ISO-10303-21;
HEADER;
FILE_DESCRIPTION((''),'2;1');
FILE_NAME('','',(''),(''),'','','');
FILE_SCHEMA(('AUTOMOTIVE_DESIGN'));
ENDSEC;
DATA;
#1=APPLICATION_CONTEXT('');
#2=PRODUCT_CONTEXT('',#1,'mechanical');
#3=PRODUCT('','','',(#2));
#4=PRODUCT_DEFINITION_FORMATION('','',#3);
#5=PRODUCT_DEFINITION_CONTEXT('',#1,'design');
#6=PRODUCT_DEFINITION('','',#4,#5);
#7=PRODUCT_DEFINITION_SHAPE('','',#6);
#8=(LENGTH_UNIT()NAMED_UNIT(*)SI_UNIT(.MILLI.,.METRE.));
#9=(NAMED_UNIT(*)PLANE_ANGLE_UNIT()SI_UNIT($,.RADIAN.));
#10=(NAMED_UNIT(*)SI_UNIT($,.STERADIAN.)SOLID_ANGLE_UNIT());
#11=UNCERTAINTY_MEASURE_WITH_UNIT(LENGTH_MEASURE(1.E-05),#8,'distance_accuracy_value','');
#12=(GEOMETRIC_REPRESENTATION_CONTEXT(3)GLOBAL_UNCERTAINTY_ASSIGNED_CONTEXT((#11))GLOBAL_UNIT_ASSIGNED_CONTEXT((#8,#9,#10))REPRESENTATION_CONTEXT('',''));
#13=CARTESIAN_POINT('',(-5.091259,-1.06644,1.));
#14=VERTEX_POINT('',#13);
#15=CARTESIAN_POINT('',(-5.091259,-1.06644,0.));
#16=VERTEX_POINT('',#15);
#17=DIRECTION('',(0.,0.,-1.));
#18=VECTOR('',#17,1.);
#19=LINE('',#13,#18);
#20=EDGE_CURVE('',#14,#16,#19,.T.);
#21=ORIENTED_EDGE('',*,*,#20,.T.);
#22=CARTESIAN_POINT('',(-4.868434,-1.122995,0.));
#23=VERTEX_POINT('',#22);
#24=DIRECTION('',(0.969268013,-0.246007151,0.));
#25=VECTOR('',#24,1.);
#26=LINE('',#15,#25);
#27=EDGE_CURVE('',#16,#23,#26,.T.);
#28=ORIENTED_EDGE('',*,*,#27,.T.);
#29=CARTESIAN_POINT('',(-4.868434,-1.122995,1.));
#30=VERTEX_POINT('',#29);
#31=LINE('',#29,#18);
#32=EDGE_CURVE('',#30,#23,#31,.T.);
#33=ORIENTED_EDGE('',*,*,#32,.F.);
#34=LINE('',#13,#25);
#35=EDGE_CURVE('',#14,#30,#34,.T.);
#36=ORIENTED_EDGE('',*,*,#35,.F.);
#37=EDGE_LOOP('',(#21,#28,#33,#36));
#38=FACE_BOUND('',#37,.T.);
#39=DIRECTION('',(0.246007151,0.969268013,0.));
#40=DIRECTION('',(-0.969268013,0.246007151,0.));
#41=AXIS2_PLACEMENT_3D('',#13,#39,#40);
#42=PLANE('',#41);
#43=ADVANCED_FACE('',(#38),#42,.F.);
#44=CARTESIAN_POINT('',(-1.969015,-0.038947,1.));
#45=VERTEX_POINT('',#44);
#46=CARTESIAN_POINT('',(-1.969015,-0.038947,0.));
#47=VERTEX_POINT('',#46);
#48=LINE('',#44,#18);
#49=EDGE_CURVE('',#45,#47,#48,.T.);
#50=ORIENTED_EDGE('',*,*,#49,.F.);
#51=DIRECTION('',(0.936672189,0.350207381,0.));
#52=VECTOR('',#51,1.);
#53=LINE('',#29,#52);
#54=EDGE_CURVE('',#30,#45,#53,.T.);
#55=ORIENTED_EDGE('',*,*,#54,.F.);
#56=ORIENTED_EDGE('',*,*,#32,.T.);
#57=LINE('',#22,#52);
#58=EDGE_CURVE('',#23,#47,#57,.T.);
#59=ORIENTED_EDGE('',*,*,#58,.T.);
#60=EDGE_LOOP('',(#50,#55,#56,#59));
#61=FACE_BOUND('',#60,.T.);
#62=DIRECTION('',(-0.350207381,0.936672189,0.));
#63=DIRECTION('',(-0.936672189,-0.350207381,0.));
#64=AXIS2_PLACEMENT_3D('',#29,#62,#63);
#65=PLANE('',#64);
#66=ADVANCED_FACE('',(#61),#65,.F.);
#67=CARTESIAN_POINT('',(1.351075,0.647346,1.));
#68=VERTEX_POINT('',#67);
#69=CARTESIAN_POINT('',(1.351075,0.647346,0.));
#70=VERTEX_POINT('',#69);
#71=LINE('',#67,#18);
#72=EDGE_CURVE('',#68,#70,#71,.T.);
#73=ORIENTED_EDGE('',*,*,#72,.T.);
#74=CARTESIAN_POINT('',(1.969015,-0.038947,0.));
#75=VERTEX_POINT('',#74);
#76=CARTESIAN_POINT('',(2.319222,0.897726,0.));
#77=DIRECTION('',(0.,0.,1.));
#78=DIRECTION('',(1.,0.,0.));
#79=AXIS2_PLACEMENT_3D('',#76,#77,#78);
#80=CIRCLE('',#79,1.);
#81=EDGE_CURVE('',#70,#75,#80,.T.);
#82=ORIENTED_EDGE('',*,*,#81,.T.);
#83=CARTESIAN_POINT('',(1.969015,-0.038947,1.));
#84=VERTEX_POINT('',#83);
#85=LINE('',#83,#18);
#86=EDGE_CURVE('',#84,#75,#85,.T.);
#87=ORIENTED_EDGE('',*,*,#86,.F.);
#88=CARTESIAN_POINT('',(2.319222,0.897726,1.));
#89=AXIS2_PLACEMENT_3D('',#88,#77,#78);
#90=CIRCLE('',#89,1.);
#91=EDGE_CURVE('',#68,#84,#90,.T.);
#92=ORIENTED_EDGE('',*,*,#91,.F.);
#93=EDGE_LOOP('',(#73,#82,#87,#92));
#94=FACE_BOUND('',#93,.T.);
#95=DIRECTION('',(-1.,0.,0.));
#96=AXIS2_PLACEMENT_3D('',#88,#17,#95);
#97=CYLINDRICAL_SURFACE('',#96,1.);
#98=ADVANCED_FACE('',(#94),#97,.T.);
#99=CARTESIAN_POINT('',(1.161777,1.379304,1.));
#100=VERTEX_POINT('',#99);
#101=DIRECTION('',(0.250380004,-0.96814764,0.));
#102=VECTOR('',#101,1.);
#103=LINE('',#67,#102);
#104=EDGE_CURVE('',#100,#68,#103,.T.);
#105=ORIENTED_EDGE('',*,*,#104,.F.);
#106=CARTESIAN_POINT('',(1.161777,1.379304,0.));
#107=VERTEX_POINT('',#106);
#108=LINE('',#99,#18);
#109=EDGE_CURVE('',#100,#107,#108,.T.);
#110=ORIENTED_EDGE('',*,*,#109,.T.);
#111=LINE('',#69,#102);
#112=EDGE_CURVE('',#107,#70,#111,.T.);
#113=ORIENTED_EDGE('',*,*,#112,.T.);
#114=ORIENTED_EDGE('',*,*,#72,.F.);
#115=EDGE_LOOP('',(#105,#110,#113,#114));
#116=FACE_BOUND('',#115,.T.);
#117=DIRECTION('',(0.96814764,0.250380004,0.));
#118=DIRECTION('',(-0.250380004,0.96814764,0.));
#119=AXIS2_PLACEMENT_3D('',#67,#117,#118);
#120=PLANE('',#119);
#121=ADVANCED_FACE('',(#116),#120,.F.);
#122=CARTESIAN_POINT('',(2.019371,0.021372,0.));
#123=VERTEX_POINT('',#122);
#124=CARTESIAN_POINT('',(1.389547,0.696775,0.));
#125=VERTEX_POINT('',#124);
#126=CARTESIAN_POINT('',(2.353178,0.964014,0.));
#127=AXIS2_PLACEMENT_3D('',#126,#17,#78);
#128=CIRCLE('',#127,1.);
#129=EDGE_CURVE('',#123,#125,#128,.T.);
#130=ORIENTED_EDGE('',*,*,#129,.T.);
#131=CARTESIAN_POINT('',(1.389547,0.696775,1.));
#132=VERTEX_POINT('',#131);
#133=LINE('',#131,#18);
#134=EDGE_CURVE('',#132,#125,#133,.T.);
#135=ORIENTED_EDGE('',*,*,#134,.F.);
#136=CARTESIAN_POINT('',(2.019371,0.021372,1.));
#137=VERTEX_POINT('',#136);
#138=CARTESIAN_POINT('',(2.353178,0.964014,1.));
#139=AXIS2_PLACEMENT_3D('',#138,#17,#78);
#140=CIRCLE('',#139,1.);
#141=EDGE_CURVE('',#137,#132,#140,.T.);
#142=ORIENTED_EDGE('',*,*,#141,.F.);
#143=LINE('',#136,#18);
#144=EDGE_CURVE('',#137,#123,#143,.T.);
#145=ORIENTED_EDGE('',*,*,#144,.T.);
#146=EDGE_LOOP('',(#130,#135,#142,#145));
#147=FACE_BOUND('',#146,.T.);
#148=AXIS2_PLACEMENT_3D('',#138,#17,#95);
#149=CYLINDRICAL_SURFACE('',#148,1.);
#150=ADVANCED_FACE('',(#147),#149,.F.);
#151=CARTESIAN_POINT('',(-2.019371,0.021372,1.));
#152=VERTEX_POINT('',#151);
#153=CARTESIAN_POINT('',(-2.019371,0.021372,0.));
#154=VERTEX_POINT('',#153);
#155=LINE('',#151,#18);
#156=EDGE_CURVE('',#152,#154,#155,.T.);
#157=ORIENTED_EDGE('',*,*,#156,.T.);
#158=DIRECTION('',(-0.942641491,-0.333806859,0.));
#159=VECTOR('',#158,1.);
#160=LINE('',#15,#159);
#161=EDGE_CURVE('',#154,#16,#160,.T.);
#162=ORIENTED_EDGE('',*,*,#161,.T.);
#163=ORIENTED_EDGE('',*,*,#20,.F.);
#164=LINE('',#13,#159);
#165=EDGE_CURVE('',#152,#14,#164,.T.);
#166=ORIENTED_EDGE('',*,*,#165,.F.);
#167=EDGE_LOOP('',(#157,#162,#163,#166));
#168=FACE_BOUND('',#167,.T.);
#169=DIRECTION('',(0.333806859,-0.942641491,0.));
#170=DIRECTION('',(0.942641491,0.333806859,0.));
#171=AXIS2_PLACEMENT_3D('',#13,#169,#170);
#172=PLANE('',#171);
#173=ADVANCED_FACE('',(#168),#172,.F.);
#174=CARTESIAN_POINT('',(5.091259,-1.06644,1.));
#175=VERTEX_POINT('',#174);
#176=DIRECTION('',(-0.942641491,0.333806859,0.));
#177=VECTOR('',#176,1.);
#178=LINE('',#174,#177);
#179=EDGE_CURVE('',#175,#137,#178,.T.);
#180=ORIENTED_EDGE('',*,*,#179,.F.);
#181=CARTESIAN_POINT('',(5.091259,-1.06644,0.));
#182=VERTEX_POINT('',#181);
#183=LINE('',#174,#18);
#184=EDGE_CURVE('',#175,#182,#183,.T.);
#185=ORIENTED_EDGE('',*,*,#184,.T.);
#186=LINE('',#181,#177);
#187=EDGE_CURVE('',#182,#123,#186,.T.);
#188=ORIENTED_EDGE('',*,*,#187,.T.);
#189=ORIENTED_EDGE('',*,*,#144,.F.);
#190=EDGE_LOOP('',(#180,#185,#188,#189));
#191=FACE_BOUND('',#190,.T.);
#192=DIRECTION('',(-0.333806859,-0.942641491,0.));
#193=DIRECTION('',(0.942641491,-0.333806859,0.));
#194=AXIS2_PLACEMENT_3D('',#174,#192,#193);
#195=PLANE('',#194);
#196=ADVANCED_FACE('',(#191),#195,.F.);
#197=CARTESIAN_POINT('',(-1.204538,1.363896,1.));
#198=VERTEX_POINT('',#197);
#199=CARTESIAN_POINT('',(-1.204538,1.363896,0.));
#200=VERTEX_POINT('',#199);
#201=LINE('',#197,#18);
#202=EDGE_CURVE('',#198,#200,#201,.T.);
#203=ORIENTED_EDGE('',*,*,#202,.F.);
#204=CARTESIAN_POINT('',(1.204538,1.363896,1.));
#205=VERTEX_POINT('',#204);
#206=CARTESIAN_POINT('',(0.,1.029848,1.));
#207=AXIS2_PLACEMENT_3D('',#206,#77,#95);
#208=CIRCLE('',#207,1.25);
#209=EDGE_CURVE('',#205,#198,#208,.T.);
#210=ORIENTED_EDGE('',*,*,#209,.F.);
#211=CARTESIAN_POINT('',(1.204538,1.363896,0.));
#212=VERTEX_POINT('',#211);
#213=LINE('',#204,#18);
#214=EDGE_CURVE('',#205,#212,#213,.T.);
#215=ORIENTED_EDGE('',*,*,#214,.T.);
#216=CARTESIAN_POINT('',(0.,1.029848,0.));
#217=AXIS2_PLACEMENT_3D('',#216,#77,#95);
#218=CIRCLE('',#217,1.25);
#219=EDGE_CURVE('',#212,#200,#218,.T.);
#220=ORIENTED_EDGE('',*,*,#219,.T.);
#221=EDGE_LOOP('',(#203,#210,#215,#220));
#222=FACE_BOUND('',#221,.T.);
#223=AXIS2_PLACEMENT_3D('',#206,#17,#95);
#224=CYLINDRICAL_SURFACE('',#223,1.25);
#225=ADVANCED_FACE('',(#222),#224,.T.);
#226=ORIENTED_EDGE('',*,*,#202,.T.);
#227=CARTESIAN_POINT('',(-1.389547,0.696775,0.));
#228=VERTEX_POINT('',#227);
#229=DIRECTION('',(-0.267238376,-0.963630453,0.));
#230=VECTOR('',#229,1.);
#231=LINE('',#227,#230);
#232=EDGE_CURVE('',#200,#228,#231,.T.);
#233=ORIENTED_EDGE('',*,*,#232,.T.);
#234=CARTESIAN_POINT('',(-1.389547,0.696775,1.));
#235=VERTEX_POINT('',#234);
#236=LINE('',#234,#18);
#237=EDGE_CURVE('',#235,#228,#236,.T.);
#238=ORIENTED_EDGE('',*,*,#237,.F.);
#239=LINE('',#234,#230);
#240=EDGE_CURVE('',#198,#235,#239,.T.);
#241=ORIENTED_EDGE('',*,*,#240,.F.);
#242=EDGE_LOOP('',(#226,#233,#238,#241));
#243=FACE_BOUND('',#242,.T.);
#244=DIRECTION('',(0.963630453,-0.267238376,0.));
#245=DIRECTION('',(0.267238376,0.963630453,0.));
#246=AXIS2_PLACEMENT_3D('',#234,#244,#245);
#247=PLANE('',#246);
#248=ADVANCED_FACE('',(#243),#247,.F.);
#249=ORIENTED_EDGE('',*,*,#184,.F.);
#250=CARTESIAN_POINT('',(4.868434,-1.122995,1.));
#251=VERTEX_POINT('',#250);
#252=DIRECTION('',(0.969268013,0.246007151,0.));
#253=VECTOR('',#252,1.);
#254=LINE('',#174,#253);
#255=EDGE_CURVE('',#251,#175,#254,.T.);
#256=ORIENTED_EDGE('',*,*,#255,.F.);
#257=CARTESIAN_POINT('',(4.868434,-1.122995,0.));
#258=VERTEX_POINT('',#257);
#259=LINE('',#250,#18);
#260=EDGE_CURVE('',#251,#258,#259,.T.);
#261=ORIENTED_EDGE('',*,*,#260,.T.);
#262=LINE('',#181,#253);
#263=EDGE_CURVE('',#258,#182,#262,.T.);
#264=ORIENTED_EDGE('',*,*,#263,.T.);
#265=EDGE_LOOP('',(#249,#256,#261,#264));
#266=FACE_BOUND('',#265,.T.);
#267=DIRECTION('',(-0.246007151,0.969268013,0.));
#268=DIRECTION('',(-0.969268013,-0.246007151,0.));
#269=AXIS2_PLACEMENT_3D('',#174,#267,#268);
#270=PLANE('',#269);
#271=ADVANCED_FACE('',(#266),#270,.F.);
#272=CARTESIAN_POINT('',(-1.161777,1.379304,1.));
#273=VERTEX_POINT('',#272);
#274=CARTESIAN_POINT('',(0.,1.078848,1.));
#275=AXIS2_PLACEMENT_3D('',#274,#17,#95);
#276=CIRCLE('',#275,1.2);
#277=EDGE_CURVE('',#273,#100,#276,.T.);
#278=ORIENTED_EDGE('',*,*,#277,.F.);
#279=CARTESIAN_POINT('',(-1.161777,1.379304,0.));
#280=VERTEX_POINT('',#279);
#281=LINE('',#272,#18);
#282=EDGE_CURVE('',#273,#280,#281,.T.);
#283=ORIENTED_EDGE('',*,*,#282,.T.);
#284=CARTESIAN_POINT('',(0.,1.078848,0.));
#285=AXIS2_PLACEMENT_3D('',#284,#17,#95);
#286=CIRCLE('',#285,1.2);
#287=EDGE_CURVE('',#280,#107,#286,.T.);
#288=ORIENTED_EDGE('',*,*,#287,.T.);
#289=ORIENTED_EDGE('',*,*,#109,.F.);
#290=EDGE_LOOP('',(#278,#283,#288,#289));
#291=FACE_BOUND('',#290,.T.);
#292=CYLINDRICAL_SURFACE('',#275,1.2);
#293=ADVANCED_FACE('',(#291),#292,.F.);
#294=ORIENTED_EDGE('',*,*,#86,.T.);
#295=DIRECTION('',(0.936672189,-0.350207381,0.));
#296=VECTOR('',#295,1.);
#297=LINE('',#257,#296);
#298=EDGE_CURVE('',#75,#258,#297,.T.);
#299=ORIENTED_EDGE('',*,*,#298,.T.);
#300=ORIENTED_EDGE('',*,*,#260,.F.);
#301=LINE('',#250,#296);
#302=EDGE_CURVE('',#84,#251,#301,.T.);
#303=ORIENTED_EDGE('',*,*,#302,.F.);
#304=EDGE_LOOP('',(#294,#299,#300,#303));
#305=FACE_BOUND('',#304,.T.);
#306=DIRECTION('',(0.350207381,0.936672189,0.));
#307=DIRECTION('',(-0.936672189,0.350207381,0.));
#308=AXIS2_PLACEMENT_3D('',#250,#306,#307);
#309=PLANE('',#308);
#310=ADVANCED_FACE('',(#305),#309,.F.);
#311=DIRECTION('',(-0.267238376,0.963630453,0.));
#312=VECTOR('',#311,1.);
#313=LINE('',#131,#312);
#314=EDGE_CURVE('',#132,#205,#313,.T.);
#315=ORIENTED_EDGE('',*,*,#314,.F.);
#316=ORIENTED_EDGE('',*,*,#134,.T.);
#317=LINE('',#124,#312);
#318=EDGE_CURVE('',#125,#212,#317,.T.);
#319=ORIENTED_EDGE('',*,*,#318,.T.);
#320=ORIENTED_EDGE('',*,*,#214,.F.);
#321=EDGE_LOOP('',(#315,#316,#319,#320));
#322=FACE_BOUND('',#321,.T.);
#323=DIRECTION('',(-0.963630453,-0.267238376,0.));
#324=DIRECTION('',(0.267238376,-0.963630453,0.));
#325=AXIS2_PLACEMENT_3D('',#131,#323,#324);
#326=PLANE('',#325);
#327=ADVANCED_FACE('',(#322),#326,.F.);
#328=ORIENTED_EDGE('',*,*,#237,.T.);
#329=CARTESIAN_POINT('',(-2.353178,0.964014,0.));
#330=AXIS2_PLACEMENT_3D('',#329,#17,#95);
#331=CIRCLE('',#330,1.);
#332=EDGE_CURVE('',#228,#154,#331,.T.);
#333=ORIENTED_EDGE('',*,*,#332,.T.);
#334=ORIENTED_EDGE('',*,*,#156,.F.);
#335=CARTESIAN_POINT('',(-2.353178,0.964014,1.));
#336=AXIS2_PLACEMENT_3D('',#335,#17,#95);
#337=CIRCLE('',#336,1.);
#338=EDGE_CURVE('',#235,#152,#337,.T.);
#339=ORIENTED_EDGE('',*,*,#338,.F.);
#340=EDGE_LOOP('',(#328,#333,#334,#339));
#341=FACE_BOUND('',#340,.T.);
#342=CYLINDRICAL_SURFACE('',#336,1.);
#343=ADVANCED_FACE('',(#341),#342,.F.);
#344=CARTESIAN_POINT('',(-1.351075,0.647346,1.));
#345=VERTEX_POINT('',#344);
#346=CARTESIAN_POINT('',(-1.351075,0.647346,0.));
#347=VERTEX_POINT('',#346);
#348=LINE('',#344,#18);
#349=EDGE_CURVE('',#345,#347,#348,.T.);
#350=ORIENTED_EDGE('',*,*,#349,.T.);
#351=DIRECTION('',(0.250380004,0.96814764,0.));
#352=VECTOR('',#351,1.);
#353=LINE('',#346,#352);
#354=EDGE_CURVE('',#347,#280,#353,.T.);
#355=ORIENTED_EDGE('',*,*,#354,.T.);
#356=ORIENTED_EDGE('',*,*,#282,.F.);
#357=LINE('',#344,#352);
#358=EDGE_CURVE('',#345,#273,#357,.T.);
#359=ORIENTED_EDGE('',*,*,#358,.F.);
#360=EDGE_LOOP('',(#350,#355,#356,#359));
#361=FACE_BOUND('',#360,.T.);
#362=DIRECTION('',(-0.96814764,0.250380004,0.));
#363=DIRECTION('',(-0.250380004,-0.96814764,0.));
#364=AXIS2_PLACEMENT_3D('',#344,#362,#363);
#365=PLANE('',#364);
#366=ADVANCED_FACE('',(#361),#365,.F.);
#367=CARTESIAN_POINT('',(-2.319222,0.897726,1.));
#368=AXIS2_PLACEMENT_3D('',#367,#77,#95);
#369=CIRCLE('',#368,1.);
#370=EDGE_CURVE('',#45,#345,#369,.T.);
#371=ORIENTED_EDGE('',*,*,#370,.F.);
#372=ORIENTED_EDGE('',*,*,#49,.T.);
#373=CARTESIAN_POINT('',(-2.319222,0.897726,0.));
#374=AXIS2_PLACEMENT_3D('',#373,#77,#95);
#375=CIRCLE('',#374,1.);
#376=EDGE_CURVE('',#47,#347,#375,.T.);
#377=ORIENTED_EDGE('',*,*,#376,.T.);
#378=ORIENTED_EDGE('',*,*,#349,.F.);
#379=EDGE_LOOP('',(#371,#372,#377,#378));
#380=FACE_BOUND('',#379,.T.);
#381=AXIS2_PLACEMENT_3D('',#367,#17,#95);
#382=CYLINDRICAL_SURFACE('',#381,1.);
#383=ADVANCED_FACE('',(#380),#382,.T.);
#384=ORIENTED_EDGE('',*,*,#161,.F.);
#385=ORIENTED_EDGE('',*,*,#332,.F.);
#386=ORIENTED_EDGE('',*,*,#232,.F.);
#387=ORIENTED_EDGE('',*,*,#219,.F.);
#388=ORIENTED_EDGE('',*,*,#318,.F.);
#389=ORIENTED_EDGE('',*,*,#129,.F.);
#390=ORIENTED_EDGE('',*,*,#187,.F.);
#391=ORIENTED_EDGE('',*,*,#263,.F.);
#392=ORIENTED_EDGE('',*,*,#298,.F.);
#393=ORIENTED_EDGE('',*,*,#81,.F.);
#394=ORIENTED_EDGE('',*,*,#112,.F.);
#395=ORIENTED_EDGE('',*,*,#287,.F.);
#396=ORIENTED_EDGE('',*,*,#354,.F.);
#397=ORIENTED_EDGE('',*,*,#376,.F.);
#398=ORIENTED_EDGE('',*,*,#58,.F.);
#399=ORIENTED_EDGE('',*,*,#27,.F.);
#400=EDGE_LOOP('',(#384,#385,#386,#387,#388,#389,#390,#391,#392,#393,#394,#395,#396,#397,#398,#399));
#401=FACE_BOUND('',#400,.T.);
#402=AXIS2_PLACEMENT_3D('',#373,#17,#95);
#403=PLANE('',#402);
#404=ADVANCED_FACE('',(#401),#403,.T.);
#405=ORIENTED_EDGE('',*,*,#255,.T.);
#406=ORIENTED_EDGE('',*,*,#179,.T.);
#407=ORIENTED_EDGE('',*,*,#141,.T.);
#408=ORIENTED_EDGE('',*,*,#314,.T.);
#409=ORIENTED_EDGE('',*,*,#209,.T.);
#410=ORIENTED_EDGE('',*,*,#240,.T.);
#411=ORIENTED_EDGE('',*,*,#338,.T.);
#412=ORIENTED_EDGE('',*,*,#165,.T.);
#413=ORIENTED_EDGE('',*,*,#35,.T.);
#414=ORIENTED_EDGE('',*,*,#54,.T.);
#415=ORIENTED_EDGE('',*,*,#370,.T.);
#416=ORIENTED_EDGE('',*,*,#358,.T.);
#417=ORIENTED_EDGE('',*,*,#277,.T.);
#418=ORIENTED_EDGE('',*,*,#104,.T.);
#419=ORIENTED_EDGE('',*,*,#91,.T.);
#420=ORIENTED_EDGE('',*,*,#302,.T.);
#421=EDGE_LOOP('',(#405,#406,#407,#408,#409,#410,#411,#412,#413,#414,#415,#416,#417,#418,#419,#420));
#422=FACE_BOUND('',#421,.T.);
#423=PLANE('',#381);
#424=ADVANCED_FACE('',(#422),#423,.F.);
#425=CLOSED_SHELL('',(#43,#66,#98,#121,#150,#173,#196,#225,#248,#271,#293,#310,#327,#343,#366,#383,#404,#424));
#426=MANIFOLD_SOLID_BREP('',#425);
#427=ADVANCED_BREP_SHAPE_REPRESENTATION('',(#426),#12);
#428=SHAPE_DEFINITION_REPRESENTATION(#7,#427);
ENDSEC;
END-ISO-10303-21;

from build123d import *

# Parameters (mm, degrees)
EXTRUDE_1_DEPTH = 1


with BuildPart() as part:
    # Эскиз1 → Бобышка-Вытянуть1 (new body)
    with BuildSketch(Plane.XY):
        with BuildLine():
            Line((-4.86843377, -1.122994966), (-1.96901481, -0.038946637))
            ThreePointArc((-1.96901481, -0.038946637), (-1.576077366, 0.228594946), (-1.351074551, 0.647345548))
            Line((-1.351074551, 0.647345548), (-1.161777168, 1.379304216))
            ThreePointArc((-1.161777168, 1.379304216), (0, 2.278848211), (1.161777168, 1.379304216))
            Line((1.161777168, 1.379304216), (1.351074551, 0.647345548))
            ThreePointArc((1.351074551, 0.647345548), (1.576077366, 0.228594946), (1.96901481, -0.038946637))
            Line((1.96901481, -0.038946637), (4.86843377, -1.122994966))
            Line((4.86843377, -1.122994966), (5.091258523, -1.066440451))
            Line((5.091258523, -1.066440451), (2.019370682, 0.021372087))
            ThreePointArc((2.019370682, 0.021372087), (1.621823839, 0.282015218), (1.389547088, 0.696775202))
            Line((1.389547088, 0.696775202), (1.204538067, 1.363896181))
            ThreePointArc((1.204538067, 1.363896181), (0, 2.279848211), (-1.204538067, 1.363896181))
            Line((-1.204538067, 1.363896181), (-1.389547088, 0.696775202))
            ThreePointArc((-1.389547088, 0.696775202), (-1.621823839, 0.282015218), (-2.019370682, 0.021372087))
            Line((-2.019370682, 0.021372087), (-5.091258523, -1.066440451))
            Line((-5.091258523, -1.066440451), (-4.86843377, -1.122994966))
        make_face()
    extrude(amount=EXTRUDE_1_DEPTH)


solid = part.part
